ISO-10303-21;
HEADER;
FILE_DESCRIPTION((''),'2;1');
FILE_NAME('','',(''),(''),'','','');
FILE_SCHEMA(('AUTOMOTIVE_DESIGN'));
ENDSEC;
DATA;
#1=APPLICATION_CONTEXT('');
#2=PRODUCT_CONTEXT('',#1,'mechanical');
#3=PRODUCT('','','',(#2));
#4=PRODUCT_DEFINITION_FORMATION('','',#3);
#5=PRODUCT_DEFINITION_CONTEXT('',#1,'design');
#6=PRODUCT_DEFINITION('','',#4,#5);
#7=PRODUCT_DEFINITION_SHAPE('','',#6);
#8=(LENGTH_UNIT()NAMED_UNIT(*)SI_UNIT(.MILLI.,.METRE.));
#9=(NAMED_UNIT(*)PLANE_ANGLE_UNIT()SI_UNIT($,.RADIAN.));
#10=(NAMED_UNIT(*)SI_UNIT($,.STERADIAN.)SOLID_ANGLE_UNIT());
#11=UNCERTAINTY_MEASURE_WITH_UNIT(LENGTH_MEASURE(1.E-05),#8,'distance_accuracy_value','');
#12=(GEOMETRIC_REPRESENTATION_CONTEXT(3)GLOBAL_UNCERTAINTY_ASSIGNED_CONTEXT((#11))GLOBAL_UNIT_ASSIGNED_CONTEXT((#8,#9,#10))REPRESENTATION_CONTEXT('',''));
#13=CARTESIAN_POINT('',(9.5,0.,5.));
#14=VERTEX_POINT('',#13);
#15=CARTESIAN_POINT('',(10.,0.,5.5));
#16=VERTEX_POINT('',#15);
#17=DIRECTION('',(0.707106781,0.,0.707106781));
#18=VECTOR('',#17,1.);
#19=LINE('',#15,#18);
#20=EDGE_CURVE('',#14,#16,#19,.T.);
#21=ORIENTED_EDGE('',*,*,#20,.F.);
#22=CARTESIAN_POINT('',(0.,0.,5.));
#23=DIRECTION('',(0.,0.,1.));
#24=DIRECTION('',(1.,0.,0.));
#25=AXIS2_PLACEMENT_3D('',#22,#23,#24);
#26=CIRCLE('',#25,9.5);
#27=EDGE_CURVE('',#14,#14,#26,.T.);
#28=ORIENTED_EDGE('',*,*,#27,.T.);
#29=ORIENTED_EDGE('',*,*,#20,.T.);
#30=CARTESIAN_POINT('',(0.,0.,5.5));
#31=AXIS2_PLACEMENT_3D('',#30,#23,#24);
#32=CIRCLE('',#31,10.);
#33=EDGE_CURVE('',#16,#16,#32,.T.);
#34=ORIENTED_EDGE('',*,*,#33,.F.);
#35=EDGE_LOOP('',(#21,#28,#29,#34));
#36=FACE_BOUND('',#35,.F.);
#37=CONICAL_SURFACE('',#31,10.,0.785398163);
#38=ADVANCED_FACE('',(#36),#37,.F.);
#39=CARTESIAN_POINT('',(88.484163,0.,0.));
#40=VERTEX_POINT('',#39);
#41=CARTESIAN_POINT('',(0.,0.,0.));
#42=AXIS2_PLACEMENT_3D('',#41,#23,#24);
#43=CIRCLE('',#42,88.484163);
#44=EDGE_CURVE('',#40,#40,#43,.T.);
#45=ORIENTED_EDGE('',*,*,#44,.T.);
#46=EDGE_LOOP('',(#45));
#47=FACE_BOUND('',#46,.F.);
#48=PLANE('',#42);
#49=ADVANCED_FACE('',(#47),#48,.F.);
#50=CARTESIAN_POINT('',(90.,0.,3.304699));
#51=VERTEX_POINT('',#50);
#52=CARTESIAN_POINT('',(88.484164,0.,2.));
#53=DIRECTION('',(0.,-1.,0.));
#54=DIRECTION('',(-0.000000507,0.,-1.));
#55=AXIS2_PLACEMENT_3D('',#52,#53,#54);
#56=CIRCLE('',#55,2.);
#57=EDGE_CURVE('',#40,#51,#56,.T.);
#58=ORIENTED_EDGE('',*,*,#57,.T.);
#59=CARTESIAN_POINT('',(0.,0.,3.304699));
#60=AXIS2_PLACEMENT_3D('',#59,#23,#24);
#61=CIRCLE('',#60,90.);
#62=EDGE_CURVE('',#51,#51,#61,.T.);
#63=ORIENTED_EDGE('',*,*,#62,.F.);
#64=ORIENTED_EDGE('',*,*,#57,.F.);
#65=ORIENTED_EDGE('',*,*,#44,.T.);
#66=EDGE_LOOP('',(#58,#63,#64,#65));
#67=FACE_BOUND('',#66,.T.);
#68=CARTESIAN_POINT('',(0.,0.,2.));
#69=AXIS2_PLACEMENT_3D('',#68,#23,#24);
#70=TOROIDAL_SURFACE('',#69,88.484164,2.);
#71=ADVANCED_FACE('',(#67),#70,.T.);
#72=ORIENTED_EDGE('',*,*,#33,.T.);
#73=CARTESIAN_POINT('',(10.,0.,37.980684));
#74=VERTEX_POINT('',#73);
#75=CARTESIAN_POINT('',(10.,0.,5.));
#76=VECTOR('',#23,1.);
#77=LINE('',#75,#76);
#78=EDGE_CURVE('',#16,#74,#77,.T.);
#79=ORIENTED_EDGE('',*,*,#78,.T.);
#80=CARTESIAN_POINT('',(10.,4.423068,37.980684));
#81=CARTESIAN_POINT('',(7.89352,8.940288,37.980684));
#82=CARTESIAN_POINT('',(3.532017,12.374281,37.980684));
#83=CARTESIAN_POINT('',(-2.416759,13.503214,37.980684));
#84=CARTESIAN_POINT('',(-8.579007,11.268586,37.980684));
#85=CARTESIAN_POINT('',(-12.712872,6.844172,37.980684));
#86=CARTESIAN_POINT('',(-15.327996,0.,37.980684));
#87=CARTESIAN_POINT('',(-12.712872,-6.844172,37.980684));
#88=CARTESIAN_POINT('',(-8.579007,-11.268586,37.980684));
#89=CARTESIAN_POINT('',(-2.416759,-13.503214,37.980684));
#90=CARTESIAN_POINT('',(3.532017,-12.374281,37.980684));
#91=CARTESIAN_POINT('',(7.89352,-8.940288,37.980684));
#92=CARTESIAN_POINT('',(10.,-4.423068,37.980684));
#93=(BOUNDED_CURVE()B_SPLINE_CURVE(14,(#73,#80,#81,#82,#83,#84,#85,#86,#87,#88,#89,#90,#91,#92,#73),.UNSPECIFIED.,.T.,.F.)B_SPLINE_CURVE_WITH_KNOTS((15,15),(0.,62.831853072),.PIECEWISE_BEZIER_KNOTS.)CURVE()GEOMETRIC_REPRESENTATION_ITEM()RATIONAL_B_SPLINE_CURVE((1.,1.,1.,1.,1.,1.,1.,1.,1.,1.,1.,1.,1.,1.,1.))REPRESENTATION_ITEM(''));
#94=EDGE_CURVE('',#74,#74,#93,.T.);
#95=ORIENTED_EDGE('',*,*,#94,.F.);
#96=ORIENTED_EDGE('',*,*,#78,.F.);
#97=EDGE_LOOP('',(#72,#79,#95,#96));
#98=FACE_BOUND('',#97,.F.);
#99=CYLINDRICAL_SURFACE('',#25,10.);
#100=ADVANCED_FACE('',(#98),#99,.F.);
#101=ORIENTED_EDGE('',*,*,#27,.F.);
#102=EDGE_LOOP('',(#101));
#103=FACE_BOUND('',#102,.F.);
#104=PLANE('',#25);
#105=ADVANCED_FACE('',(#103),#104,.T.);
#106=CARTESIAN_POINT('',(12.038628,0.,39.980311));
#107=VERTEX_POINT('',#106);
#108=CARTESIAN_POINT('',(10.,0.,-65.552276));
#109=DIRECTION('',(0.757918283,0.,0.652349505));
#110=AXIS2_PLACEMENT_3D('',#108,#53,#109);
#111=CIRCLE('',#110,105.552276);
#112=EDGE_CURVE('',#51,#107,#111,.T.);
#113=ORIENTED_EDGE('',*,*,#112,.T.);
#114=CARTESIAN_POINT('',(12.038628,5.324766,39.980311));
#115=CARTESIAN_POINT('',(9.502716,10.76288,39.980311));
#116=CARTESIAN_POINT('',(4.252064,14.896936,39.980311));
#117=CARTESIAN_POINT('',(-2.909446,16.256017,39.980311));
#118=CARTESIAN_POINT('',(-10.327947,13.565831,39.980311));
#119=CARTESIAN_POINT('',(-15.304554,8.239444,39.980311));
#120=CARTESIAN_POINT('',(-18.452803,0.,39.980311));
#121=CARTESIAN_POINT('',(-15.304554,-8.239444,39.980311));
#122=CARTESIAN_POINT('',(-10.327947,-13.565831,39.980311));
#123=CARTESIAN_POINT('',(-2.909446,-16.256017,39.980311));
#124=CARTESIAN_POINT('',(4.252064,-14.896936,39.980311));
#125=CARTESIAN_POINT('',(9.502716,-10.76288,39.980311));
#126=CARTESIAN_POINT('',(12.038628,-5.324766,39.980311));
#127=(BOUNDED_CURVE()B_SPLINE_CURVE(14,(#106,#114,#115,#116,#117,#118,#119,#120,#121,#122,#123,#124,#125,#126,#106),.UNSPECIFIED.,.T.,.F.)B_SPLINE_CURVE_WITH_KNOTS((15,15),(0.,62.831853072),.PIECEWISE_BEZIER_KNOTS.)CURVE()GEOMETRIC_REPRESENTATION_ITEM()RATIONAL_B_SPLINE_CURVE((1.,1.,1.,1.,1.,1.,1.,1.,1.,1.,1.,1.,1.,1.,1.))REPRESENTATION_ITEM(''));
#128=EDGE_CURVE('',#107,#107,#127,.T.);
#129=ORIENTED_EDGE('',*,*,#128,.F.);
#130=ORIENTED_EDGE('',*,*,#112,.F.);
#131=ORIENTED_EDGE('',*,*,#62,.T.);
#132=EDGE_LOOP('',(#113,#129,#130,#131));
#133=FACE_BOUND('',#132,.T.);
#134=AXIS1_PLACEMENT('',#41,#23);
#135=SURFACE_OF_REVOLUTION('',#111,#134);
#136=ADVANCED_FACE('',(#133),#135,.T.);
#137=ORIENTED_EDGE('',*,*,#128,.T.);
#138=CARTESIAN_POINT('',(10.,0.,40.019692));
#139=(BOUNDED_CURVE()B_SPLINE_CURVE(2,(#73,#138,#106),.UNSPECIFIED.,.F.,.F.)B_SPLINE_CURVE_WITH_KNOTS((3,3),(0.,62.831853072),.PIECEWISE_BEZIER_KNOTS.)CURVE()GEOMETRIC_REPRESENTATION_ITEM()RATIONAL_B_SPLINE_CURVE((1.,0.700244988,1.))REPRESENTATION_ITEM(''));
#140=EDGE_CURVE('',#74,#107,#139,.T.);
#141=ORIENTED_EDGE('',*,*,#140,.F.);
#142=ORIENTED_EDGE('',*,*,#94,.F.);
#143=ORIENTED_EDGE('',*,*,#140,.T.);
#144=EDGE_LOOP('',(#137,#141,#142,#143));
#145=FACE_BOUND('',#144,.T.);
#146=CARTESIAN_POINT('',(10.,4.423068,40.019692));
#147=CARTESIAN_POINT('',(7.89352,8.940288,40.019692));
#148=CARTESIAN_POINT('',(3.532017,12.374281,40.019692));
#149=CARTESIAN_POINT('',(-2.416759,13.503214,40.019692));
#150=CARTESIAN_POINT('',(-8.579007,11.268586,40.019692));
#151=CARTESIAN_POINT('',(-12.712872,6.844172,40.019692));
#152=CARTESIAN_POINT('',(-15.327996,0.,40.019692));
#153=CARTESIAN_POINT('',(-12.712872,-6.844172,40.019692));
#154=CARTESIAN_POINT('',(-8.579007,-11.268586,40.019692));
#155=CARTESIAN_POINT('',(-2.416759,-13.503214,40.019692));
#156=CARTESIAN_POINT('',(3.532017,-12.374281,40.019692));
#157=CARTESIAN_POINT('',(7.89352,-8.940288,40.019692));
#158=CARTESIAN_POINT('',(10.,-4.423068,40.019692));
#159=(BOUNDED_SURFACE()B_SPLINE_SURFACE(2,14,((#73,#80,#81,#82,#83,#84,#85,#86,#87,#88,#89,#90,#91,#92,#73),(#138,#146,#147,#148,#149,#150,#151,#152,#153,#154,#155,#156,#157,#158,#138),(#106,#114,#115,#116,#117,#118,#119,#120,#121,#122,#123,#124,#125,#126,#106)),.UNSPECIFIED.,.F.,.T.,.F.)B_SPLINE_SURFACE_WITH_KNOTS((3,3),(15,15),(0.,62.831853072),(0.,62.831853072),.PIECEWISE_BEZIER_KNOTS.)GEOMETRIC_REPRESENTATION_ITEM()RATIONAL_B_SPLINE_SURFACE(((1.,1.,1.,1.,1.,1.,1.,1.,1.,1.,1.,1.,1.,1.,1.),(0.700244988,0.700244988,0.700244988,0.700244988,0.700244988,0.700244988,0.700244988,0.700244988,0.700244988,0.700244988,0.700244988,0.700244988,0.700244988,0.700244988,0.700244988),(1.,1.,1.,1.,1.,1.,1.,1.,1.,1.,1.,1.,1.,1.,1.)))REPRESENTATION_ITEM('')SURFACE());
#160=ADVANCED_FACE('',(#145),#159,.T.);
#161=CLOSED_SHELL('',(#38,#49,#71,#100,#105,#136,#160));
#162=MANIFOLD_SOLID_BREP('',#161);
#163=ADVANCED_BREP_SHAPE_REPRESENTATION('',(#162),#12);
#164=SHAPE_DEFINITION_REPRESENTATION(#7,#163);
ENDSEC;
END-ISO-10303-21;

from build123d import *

# Parameters (mm, degrees)
CHAMFER_SIZE = 0.5
FILLET_R     = 2


with BuildPart() as part:
    # Sketch → Revolution (revolve)
    with BuildSketch(Plane.XZ):
        with BuildLine():
            Line((0, 0), (0, 5))
            Line((0, 5), (10, 5))
            Line((10, 5), (10, 40))
            ThreePointArc((90, 3.304699), (54.00723, 30.388574), (10, 40))
            ThreePointArc((88.484163, 0), (90.302047, 1.166153), (90, 3.304699))
            Line((88.484163, 0), (0, 0))
        make_face()
    revolve(axis=Axis((0, 0, 0), (0, 0, 1)))

    # Chamfer
    chamfer_edges = [part.edges().sort_by_distance(p)[0] for p in [
        (-10, 0, 5),
    ]]
    chamfer(chamfer_edges, length=CHAMFER_SIZE)

    # Fillet
    fillet_edges = [part.edges().sort_by_distance(p)[0] for p in [
        (-10, 0, 40),
    ]]
    fillet(fillet_edges, radius=FILLET_R)


solid = part.part
